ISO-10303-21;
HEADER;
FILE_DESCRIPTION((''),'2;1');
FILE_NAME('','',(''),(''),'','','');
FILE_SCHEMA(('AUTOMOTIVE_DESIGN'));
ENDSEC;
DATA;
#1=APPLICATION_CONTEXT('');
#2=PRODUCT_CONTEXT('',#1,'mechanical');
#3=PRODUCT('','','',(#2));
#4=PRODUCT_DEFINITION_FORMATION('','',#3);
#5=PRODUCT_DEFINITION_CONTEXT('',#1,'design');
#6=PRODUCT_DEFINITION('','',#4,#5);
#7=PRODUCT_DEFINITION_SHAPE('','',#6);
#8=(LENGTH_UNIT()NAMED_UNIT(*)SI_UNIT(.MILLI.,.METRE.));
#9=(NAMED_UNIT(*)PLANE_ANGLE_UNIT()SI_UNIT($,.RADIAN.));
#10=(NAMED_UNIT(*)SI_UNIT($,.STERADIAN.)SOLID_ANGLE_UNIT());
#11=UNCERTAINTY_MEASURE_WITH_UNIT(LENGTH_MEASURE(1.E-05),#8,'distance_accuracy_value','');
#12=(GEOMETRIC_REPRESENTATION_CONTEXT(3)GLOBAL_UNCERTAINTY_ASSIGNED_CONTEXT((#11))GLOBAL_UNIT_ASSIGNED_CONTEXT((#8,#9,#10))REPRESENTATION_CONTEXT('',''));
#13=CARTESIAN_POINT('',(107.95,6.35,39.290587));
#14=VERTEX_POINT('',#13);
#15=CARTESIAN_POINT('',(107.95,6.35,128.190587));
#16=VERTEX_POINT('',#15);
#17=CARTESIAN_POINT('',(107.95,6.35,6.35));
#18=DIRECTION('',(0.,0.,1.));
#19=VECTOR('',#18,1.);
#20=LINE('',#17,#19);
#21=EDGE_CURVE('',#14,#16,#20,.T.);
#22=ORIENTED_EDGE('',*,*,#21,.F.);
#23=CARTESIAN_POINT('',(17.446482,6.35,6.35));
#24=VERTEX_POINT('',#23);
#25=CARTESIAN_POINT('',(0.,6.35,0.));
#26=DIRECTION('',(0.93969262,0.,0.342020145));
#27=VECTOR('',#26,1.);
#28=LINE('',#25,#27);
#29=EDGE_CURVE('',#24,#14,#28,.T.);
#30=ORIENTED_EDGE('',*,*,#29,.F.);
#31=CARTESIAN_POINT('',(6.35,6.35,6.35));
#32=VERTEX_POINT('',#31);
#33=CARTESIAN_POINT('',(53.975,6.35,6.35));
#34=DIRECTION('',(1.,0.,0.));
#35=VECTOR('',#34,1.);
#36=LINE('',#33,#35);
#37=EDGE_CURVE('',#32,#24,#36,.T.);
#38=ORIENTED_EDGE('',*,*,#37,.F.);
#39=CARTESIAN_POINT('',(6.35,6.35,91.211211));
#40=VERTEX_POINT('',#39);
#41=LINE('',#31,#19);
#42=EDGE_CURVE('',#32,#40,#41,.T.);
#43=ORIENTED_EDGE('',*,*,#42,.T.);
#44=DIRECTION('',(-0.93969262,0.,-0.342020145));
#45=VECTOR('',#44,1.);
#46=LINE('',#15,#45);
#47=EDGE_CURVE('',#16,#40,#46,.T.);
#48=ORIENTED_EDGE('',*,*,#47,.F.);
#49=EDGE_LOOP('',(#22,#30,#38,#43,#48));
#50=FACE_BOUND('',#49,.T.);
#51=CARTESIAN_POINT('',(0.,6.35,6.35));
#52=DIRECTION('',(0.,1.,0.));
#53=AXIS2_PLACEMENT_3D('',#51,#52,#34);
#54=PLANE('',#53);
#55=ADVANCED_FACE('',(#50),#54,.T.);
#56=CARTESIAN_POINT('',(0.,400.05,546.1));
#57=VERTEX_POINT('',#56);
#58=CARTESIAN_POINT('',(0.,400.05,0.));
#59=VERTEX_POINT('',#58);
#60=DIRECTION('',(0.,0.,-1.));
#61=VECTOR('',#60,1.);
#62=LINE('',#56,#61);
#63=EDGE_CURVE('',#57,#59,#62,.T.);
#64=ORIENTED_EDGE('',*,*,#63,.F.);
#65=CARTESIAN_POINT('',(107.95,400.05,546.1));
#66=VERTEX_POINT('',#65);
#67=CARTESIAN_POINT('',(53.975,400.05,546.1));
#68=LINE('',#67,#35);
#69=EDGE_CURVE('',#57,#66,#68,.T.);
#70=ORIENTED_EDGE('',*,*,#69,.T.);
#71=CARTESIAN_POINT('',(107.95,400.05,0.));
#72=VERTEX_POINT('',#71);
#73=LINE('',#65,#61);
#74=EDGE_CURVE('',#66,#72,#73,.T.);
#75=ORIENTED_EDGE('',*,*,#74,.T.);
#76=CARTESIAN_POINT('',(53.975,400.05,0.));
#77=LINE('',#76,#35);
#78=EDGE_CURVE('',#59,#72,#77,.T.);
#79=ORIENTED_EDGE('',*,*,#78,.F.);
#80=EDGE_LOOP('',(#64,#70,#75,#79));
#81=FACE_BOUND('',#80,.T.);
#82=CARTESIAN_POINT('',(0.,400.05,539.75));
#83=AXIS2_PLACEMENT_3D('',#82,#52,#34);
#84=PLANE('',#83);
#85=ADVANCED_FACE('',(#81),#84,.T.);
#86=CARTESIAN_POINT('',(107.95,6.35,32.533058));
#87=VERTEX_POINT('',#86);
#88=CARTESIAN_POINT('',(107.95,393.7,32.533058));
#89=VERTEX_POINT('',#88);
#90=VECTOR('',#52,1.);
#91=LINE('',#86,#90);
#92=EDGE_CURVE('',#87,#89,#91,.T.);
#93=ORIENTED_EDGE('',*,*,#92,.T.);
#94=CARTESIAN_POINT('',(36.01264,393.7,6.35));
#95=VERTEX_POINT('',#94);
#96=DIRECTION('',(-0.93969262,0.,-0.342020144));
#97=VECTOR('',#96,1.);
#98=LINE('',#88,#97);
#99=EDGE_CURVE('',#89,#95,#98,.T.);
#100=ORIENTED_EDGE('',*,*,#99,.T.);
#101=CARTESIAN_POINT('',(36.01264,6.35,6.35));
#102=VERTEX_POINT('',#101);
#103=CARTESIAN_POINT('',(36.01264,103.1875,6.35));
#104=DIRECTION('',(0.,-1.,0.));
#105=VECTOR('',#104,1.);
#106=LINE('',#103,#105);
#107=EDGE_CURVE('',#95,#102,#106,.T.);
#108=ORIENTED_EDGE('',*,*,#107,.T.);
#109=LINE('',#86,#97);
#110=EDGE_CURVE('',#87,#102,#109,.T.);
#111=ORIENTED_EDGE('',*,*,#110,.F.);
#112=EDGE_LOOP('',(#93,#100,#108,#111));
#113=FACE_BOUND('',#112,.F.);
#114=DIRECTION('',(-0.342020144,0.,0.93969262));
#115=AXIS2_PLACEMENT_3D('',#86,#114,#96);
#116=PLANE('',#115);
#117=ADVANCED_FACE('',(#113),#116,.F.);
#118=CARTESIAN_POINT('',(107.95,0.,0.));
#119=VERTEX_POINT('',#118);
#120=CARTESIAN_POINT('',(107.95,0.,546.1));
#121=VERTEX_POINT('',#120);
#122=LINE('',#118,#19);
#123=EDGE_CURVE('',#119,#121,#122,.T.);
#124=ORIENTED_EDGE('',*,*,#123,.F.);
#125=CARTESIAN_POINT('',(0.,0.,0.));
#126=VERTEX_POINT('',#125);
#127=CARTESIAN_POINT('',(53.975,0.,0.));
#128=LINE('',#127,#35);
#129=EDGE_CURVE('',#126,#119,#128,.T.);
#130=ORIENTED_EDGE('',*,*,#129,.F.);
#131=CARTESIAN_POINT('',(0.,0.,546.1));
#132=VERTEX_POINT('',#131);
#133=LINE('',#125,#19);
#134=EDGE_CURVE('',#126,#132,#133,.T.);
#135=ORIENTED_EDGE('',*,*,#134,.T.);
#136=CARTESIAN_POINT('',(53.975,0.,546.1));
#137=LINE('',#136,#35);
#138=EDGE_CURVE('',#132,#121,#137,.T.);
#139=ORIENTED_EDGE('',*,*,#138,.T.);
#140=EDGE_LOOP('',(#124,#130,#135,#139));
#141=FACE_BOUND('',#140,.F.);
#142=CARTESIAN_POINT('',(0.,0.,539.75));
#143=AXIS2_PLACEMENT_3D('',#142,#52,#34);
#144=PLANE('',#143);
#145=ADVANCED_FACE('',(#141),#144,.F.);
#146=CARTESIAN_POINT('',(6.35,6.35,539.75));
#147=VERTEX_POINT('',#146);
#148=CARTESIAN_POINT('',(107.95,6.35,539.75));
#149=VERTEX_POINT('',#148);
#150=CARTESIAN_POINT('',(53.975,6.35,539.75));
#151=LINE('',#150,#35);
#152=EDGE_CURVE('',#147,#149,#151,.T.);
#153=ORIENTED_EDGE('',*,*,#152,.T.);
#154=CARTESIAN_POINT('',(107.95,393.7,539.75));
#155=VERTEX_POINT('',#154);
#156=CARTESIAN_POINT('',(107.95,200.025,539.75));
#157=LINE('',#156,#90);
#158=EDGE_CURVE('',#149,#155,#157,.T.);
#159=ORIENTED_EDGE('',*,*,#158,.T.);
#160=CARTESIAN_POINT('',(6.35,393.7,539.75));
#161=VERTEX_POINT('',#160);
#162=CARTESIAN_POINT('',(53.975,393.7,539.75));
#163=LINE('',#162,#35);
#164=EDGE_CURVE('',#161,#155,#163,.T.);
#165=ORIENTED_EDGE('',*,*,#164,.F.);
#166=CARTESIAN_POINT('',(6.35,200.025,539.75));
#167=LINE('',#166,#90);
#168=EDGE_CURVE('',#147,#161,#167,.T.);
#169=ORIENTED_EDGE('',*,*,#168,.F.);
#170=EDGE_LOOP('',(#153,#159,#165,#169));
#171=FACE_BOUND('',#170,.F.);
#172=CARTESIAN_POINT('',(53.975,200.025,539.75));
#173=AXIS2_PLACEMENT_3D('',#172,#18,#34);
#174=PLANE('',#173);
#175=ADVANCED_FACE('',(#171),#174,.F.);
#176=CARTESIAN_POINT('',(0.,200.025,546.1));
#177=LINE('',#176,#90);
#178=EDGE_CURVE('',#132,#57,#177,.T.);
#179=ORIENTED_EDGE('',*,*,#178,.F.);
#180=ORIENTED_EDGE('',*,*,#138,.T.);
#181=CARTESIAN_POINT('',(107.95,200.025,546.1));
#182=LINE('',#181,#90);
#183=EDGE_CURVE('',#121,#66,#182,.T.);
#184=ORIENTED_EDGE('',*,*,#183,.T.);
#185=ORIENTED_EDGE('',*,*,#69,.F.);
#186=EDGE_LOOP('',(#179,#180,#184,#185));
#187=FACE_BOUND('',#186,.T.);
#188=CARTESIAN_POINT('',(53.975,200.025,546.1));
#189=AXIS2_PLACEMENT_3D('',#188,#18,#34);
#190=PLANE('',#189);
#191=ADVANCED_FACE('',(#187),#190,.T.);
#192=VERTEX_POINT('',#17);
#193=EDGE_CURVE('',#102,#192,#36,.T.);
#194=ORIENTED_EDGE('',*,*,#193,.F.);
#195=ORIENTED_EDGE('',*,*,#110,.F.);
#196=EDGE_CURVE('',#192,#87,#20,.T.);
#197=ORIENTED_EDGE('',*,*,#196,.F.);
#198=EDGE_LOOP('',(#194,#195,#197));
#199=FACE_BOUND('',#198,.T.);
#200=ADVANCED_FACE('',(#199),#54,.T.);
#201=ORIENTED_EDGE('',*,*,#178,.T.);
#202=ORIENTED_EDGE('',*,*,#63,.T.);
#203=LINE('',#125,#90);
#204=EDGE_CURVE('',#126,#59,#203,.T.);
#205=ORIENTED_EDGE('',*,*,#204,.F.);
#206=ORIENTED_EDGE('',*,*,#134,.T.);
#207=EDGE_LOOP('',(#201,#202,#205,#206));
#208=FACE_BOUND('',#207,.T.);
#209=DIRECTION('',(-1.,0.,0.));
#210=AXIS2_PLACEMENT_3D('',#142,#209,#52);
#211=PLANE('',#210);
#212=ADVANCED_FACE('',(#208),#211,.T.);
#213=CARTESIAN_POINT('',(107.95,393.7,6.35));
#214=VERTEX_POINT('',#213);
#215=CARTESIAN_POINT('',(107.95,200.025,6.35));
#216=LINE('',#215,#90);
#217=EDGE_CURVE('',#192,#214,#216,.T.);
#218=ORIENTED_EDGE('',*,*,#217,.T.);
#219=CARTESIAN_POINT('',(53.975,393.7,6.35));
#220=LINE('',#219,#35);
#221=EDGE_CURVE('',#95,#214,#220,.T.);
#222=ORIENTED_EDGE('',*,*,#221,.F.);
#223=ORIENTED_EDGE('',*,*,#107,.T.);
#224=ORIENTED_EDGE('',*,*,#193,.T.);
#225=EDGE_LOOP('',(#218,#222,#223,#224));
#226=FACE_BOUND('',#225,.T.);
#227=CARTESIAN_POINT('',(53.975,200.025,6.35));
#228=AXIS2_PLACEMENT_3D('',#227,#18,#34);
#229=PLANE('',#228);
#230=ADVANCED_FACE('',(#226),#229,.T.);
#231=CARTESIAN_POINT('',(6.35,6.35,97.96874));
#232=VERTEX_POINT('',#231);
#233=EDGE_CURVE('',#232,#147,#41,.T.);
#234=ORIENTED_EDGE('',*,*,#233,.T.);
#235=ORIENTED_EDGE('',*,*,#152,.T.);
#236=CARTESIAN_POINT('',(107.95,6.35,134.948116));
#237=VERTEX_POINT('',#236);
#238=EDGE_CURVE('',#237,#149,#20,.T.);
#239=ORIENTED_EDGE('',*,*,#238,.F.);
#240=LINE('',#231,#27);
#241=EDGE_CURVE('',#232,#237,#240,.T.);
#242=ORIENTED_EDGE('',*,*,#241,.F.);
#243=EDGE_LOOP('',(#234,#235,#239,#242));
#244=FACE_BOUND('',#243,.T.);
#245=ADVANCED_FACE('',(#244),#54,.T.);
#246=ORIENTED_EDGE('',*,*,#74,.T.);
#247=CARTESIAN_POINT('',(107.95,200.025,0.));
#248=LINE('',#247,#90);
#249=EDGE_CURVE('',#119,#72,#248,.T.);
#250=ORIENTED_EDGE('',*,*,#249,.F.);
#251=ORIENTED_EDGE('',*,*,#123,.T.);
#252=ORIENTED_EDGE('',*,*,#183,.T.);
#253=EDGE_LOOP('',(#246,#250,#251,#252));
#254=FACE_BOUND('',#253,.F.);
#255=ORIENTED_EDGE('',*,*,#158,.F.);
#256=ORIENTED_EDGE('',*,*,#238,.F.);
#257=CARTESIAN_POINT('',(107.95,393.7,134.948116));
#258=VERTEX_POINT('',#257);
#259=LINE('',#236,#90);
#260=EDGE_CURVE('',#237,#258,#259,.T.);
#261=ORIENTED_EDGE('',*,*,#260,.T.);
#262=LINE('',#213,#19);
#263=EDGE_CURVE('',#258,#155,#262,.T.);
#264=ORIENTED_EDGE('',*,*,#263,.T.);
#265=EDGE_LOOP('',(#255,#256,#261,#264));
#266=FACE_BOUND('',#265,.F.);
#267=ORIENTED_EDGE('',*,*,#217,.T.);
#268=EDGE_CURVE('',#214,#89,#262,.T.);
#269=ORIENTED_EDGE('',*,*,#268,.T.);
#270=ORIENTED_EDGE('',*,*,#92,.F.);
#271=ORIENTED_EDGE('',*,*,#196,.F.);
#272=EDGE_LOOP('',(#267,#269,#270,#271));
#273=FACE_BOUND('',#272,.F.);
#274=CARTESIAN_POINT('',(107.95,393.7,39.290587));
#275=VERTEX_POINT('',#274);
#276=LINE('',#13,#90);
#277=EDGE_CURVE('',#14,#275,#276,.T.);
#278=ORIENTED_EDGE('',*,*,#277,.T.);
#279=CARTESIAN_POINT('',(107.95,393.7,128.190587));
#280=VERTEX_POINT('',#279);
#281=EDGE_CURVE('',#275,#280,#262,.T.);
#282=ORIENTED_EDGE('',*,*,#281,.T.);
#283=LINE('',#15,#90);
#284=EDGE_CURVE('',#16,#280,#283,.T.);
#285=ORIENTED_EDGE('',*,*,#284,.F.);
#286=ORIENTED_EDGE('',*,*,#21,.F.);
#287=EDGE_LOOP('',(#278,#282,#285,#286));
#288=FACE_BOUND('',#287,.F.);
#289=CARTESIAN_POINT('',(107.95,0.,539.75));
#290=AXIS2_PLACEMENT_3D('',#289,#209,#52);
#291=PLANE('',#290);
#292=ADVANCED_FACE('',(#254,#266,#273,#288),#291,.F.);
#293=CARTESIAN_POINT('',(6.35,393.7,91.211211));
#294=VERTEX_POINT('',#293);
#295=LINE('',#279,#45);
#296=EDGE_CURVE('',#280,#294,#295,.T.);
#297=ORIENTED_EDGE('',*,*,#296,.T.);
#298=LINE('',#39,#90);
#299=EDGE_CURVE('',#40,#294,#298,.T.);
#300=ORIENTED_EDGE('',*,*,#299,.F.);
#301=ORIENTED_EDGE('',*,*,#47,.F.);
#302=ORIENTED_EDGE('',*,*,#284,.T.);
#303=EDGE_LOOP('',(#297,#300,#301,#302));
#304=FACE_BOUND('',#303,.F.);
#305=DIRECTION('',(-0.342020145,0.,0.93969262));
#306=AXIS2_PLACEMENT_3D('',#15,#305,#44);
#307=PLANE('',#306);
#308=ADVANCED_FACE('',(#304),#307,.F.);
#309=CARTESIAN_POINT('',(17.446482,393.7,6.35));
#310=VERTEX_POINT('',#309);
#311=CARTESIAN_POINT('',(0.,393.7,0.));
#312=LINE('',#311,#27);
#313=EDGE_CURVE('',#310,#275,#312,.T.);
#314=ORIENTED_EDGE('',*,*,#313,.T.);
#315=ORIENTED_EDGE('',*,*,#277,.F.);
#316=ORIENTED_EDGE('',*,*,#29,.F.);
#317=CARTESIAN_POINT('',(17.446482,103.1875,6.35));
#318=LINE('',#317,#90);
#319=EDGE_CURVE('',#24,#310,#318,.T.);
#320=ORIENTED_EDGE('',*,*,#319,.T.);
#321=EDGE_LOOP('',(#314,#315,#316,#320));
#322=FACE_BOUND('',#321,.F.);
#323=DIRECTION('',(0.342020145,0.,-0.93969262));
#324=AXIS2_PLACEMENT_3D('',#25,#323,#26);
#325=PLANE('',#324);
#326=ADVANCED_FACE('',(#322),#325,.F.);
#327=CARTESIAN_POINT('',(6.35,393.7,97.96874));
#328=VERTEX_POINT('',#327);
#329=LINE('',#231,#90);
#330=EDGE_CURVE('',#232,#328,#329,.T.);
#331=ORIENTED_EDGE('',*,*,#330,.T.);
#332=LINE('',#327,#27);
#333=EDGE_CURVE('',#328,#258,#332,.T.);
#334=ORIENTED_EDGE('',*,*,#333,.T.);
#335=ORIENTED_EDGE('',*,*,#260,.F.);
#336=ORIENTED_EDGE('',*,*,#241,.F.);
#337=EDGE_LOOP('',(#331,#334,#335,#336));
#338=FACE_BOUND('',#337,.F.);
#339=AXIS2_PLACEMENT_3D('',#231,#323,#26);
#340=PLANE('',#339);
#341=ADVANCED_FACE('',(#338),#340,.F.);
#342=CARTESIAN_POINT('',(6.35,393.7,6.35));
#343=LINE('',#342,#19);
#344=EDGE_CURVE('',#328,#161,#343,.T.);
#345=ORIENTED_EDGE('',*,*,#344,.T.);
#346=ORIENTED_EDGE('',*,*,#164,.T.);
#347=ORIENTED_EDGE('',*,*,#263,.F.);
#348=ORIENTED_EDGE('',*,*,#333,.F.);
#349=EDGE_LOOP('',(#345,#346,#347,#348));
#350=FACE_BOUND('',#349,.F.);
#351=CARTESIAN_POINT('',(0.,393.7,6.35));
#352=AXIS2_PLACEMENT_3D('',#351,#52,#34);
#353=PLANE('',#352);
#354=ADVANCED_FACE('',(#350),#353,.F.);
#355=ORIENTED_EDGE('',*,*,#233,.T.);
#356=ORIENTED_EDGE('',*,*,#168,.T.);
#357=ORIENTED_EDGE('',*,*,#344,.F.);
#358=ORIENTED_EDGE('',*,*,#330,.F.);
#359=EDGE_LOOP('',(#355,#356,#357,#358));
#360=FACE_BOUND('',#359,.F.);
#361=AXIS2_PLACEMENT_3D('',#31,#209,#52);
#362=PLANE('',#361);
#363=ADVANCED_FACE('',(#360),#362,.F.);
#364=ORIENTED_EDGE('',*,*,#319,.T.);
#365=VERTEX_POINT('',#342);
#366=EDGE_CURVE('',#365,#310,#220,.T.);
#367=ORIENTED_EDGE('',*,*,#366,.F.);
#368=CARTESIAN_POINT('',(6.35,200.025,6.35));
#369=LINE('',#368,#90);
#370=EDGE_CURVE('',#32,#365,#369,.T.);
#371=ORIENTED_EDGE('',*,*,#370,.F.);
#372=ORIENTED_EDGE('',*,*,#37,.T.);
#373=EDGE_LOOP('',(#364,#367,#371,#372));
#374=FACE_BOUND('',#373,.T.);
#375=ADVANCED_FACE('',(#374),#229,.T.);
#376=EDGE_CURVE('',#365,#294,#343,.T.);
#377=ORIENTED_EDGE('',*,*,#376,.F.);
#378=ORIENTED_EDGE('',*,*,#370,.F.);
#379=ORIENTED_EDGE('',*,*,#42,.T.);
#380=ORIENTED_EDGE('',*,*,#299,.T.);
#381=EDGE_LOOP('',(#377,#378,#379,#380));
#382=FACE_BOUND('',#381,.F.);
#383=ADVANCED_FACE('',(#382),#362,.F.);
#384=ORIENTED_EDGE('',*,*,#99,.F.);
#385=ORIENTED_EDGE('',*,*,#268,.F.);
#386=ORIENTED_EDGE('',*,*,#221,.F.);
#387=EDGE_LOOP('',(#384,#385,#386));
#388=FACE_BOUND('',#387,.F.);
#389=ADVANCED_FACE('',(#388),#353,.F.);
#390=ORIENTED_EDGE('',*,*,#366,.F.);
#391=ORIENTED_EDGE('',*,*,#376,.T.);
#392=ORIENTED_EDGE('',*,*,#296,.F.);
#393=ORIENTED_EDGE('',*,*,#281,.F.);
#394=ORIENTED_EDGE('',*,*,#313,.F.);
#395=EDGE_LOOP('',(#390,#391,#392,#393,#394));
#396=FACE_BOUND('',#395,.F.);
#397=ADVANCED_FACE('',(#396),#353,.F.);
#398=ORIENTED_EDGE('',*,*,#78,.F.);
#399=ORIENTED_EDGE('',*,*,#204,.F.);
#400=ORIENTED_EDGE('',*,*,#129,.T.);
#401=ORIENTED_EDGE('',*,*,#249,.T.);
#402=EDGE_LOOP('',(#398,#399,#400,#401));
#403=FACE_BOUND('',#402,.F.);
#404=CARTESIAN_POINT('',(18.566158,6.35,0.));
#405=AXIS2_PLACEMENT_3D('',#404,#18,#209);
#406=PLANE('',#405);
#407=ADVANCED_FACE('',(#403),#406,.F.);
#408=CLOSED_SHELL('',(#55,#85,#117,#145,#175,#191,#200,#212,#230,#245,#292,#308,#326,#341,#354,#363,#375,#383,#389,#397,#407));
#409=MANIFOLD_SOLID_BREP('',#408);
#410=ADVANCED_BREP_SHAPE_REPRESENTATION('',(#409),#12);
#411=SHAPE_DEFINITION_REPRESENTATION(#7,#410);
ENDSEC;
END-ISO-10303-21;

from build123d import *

# Parameters (mm, degrees)
F0_W      = 107.95
F0_H      = 400.05
F1_DEPTH  = 6.35
F2_W      = 107.95
F2_H      = 6.35
F3_DEPTH  = 533.4
F4_W      = 6.35
F4_H      = 387.35
F5_DEPTH  = 533.4
F6_W      = 107.95
F6_H      = 400.05
F7_DEPTH  = 6.35
F9_DEPTH  = 387.35
F11_DEPTH = 387.35


with BuildPart() as f1:
    # F0 (on Top) → F1 (new body)
    with BuildSketch(Plane.XY):
        with Locations((53.975, 200.025)):
            Rectangle(F0_W, F0_H)
    extrude(amount=F1_DEPTH)

    # F2 (on face) → F3 (join)
    with BuildSketch(Plane.XY.offset(6.35)):
        with Locations((53.975, 3.175)):
            Rectangle(F2_W, F2_H)
        with Locations((53.975, 396.875)):
            Rectangle(F2_W, F2_H)
    extrude(amount=F3_DEPTH)

    # F4 (on face) → F5 (join)
    with BuildSketch(Plane.XY.offset(6.35)):
        with Locations((3.175, 200.025)):
            Rectangle(F4_W, F4_H)
    extrude(amount=F5_DEPTH)

    # F6 (on face) → F7 (join)
    with BuildSketch(Plane.XY.offset(539.75)):
        with Locations((53.975, 200.025)):
            Rectangle(F6_W, F6_H)
    extrude(amount=F7_DEPTH)

    # F8 (on face) → F9 (join)
    with BuildSketch(Plane(origin=(0, 6.35, 0), x_dir=(-1, 0, 0), z_dir=(0, 1, 0))):
        Polygon((-18.566158, 0), (0, 0), (-107.95, 39.290587), (-107.95, 32.533058), align=None)
    extrude(amount=F9_DEPTH)

    # F10 (on face) → F11 (join)
    with BuildSketch(Plane(origin=(0, 6.35, 0), x_dir=(-1, 0, 0), z_dir=(0, 1, 0))):
        Polygon((-107.95, 134.948116), (-107.95, 128.190587), (-6.35, 91.211211), (-6.35, 97.96874), align=None)
    extrude(amount=F11_DEPTH)


solid = f1.part
